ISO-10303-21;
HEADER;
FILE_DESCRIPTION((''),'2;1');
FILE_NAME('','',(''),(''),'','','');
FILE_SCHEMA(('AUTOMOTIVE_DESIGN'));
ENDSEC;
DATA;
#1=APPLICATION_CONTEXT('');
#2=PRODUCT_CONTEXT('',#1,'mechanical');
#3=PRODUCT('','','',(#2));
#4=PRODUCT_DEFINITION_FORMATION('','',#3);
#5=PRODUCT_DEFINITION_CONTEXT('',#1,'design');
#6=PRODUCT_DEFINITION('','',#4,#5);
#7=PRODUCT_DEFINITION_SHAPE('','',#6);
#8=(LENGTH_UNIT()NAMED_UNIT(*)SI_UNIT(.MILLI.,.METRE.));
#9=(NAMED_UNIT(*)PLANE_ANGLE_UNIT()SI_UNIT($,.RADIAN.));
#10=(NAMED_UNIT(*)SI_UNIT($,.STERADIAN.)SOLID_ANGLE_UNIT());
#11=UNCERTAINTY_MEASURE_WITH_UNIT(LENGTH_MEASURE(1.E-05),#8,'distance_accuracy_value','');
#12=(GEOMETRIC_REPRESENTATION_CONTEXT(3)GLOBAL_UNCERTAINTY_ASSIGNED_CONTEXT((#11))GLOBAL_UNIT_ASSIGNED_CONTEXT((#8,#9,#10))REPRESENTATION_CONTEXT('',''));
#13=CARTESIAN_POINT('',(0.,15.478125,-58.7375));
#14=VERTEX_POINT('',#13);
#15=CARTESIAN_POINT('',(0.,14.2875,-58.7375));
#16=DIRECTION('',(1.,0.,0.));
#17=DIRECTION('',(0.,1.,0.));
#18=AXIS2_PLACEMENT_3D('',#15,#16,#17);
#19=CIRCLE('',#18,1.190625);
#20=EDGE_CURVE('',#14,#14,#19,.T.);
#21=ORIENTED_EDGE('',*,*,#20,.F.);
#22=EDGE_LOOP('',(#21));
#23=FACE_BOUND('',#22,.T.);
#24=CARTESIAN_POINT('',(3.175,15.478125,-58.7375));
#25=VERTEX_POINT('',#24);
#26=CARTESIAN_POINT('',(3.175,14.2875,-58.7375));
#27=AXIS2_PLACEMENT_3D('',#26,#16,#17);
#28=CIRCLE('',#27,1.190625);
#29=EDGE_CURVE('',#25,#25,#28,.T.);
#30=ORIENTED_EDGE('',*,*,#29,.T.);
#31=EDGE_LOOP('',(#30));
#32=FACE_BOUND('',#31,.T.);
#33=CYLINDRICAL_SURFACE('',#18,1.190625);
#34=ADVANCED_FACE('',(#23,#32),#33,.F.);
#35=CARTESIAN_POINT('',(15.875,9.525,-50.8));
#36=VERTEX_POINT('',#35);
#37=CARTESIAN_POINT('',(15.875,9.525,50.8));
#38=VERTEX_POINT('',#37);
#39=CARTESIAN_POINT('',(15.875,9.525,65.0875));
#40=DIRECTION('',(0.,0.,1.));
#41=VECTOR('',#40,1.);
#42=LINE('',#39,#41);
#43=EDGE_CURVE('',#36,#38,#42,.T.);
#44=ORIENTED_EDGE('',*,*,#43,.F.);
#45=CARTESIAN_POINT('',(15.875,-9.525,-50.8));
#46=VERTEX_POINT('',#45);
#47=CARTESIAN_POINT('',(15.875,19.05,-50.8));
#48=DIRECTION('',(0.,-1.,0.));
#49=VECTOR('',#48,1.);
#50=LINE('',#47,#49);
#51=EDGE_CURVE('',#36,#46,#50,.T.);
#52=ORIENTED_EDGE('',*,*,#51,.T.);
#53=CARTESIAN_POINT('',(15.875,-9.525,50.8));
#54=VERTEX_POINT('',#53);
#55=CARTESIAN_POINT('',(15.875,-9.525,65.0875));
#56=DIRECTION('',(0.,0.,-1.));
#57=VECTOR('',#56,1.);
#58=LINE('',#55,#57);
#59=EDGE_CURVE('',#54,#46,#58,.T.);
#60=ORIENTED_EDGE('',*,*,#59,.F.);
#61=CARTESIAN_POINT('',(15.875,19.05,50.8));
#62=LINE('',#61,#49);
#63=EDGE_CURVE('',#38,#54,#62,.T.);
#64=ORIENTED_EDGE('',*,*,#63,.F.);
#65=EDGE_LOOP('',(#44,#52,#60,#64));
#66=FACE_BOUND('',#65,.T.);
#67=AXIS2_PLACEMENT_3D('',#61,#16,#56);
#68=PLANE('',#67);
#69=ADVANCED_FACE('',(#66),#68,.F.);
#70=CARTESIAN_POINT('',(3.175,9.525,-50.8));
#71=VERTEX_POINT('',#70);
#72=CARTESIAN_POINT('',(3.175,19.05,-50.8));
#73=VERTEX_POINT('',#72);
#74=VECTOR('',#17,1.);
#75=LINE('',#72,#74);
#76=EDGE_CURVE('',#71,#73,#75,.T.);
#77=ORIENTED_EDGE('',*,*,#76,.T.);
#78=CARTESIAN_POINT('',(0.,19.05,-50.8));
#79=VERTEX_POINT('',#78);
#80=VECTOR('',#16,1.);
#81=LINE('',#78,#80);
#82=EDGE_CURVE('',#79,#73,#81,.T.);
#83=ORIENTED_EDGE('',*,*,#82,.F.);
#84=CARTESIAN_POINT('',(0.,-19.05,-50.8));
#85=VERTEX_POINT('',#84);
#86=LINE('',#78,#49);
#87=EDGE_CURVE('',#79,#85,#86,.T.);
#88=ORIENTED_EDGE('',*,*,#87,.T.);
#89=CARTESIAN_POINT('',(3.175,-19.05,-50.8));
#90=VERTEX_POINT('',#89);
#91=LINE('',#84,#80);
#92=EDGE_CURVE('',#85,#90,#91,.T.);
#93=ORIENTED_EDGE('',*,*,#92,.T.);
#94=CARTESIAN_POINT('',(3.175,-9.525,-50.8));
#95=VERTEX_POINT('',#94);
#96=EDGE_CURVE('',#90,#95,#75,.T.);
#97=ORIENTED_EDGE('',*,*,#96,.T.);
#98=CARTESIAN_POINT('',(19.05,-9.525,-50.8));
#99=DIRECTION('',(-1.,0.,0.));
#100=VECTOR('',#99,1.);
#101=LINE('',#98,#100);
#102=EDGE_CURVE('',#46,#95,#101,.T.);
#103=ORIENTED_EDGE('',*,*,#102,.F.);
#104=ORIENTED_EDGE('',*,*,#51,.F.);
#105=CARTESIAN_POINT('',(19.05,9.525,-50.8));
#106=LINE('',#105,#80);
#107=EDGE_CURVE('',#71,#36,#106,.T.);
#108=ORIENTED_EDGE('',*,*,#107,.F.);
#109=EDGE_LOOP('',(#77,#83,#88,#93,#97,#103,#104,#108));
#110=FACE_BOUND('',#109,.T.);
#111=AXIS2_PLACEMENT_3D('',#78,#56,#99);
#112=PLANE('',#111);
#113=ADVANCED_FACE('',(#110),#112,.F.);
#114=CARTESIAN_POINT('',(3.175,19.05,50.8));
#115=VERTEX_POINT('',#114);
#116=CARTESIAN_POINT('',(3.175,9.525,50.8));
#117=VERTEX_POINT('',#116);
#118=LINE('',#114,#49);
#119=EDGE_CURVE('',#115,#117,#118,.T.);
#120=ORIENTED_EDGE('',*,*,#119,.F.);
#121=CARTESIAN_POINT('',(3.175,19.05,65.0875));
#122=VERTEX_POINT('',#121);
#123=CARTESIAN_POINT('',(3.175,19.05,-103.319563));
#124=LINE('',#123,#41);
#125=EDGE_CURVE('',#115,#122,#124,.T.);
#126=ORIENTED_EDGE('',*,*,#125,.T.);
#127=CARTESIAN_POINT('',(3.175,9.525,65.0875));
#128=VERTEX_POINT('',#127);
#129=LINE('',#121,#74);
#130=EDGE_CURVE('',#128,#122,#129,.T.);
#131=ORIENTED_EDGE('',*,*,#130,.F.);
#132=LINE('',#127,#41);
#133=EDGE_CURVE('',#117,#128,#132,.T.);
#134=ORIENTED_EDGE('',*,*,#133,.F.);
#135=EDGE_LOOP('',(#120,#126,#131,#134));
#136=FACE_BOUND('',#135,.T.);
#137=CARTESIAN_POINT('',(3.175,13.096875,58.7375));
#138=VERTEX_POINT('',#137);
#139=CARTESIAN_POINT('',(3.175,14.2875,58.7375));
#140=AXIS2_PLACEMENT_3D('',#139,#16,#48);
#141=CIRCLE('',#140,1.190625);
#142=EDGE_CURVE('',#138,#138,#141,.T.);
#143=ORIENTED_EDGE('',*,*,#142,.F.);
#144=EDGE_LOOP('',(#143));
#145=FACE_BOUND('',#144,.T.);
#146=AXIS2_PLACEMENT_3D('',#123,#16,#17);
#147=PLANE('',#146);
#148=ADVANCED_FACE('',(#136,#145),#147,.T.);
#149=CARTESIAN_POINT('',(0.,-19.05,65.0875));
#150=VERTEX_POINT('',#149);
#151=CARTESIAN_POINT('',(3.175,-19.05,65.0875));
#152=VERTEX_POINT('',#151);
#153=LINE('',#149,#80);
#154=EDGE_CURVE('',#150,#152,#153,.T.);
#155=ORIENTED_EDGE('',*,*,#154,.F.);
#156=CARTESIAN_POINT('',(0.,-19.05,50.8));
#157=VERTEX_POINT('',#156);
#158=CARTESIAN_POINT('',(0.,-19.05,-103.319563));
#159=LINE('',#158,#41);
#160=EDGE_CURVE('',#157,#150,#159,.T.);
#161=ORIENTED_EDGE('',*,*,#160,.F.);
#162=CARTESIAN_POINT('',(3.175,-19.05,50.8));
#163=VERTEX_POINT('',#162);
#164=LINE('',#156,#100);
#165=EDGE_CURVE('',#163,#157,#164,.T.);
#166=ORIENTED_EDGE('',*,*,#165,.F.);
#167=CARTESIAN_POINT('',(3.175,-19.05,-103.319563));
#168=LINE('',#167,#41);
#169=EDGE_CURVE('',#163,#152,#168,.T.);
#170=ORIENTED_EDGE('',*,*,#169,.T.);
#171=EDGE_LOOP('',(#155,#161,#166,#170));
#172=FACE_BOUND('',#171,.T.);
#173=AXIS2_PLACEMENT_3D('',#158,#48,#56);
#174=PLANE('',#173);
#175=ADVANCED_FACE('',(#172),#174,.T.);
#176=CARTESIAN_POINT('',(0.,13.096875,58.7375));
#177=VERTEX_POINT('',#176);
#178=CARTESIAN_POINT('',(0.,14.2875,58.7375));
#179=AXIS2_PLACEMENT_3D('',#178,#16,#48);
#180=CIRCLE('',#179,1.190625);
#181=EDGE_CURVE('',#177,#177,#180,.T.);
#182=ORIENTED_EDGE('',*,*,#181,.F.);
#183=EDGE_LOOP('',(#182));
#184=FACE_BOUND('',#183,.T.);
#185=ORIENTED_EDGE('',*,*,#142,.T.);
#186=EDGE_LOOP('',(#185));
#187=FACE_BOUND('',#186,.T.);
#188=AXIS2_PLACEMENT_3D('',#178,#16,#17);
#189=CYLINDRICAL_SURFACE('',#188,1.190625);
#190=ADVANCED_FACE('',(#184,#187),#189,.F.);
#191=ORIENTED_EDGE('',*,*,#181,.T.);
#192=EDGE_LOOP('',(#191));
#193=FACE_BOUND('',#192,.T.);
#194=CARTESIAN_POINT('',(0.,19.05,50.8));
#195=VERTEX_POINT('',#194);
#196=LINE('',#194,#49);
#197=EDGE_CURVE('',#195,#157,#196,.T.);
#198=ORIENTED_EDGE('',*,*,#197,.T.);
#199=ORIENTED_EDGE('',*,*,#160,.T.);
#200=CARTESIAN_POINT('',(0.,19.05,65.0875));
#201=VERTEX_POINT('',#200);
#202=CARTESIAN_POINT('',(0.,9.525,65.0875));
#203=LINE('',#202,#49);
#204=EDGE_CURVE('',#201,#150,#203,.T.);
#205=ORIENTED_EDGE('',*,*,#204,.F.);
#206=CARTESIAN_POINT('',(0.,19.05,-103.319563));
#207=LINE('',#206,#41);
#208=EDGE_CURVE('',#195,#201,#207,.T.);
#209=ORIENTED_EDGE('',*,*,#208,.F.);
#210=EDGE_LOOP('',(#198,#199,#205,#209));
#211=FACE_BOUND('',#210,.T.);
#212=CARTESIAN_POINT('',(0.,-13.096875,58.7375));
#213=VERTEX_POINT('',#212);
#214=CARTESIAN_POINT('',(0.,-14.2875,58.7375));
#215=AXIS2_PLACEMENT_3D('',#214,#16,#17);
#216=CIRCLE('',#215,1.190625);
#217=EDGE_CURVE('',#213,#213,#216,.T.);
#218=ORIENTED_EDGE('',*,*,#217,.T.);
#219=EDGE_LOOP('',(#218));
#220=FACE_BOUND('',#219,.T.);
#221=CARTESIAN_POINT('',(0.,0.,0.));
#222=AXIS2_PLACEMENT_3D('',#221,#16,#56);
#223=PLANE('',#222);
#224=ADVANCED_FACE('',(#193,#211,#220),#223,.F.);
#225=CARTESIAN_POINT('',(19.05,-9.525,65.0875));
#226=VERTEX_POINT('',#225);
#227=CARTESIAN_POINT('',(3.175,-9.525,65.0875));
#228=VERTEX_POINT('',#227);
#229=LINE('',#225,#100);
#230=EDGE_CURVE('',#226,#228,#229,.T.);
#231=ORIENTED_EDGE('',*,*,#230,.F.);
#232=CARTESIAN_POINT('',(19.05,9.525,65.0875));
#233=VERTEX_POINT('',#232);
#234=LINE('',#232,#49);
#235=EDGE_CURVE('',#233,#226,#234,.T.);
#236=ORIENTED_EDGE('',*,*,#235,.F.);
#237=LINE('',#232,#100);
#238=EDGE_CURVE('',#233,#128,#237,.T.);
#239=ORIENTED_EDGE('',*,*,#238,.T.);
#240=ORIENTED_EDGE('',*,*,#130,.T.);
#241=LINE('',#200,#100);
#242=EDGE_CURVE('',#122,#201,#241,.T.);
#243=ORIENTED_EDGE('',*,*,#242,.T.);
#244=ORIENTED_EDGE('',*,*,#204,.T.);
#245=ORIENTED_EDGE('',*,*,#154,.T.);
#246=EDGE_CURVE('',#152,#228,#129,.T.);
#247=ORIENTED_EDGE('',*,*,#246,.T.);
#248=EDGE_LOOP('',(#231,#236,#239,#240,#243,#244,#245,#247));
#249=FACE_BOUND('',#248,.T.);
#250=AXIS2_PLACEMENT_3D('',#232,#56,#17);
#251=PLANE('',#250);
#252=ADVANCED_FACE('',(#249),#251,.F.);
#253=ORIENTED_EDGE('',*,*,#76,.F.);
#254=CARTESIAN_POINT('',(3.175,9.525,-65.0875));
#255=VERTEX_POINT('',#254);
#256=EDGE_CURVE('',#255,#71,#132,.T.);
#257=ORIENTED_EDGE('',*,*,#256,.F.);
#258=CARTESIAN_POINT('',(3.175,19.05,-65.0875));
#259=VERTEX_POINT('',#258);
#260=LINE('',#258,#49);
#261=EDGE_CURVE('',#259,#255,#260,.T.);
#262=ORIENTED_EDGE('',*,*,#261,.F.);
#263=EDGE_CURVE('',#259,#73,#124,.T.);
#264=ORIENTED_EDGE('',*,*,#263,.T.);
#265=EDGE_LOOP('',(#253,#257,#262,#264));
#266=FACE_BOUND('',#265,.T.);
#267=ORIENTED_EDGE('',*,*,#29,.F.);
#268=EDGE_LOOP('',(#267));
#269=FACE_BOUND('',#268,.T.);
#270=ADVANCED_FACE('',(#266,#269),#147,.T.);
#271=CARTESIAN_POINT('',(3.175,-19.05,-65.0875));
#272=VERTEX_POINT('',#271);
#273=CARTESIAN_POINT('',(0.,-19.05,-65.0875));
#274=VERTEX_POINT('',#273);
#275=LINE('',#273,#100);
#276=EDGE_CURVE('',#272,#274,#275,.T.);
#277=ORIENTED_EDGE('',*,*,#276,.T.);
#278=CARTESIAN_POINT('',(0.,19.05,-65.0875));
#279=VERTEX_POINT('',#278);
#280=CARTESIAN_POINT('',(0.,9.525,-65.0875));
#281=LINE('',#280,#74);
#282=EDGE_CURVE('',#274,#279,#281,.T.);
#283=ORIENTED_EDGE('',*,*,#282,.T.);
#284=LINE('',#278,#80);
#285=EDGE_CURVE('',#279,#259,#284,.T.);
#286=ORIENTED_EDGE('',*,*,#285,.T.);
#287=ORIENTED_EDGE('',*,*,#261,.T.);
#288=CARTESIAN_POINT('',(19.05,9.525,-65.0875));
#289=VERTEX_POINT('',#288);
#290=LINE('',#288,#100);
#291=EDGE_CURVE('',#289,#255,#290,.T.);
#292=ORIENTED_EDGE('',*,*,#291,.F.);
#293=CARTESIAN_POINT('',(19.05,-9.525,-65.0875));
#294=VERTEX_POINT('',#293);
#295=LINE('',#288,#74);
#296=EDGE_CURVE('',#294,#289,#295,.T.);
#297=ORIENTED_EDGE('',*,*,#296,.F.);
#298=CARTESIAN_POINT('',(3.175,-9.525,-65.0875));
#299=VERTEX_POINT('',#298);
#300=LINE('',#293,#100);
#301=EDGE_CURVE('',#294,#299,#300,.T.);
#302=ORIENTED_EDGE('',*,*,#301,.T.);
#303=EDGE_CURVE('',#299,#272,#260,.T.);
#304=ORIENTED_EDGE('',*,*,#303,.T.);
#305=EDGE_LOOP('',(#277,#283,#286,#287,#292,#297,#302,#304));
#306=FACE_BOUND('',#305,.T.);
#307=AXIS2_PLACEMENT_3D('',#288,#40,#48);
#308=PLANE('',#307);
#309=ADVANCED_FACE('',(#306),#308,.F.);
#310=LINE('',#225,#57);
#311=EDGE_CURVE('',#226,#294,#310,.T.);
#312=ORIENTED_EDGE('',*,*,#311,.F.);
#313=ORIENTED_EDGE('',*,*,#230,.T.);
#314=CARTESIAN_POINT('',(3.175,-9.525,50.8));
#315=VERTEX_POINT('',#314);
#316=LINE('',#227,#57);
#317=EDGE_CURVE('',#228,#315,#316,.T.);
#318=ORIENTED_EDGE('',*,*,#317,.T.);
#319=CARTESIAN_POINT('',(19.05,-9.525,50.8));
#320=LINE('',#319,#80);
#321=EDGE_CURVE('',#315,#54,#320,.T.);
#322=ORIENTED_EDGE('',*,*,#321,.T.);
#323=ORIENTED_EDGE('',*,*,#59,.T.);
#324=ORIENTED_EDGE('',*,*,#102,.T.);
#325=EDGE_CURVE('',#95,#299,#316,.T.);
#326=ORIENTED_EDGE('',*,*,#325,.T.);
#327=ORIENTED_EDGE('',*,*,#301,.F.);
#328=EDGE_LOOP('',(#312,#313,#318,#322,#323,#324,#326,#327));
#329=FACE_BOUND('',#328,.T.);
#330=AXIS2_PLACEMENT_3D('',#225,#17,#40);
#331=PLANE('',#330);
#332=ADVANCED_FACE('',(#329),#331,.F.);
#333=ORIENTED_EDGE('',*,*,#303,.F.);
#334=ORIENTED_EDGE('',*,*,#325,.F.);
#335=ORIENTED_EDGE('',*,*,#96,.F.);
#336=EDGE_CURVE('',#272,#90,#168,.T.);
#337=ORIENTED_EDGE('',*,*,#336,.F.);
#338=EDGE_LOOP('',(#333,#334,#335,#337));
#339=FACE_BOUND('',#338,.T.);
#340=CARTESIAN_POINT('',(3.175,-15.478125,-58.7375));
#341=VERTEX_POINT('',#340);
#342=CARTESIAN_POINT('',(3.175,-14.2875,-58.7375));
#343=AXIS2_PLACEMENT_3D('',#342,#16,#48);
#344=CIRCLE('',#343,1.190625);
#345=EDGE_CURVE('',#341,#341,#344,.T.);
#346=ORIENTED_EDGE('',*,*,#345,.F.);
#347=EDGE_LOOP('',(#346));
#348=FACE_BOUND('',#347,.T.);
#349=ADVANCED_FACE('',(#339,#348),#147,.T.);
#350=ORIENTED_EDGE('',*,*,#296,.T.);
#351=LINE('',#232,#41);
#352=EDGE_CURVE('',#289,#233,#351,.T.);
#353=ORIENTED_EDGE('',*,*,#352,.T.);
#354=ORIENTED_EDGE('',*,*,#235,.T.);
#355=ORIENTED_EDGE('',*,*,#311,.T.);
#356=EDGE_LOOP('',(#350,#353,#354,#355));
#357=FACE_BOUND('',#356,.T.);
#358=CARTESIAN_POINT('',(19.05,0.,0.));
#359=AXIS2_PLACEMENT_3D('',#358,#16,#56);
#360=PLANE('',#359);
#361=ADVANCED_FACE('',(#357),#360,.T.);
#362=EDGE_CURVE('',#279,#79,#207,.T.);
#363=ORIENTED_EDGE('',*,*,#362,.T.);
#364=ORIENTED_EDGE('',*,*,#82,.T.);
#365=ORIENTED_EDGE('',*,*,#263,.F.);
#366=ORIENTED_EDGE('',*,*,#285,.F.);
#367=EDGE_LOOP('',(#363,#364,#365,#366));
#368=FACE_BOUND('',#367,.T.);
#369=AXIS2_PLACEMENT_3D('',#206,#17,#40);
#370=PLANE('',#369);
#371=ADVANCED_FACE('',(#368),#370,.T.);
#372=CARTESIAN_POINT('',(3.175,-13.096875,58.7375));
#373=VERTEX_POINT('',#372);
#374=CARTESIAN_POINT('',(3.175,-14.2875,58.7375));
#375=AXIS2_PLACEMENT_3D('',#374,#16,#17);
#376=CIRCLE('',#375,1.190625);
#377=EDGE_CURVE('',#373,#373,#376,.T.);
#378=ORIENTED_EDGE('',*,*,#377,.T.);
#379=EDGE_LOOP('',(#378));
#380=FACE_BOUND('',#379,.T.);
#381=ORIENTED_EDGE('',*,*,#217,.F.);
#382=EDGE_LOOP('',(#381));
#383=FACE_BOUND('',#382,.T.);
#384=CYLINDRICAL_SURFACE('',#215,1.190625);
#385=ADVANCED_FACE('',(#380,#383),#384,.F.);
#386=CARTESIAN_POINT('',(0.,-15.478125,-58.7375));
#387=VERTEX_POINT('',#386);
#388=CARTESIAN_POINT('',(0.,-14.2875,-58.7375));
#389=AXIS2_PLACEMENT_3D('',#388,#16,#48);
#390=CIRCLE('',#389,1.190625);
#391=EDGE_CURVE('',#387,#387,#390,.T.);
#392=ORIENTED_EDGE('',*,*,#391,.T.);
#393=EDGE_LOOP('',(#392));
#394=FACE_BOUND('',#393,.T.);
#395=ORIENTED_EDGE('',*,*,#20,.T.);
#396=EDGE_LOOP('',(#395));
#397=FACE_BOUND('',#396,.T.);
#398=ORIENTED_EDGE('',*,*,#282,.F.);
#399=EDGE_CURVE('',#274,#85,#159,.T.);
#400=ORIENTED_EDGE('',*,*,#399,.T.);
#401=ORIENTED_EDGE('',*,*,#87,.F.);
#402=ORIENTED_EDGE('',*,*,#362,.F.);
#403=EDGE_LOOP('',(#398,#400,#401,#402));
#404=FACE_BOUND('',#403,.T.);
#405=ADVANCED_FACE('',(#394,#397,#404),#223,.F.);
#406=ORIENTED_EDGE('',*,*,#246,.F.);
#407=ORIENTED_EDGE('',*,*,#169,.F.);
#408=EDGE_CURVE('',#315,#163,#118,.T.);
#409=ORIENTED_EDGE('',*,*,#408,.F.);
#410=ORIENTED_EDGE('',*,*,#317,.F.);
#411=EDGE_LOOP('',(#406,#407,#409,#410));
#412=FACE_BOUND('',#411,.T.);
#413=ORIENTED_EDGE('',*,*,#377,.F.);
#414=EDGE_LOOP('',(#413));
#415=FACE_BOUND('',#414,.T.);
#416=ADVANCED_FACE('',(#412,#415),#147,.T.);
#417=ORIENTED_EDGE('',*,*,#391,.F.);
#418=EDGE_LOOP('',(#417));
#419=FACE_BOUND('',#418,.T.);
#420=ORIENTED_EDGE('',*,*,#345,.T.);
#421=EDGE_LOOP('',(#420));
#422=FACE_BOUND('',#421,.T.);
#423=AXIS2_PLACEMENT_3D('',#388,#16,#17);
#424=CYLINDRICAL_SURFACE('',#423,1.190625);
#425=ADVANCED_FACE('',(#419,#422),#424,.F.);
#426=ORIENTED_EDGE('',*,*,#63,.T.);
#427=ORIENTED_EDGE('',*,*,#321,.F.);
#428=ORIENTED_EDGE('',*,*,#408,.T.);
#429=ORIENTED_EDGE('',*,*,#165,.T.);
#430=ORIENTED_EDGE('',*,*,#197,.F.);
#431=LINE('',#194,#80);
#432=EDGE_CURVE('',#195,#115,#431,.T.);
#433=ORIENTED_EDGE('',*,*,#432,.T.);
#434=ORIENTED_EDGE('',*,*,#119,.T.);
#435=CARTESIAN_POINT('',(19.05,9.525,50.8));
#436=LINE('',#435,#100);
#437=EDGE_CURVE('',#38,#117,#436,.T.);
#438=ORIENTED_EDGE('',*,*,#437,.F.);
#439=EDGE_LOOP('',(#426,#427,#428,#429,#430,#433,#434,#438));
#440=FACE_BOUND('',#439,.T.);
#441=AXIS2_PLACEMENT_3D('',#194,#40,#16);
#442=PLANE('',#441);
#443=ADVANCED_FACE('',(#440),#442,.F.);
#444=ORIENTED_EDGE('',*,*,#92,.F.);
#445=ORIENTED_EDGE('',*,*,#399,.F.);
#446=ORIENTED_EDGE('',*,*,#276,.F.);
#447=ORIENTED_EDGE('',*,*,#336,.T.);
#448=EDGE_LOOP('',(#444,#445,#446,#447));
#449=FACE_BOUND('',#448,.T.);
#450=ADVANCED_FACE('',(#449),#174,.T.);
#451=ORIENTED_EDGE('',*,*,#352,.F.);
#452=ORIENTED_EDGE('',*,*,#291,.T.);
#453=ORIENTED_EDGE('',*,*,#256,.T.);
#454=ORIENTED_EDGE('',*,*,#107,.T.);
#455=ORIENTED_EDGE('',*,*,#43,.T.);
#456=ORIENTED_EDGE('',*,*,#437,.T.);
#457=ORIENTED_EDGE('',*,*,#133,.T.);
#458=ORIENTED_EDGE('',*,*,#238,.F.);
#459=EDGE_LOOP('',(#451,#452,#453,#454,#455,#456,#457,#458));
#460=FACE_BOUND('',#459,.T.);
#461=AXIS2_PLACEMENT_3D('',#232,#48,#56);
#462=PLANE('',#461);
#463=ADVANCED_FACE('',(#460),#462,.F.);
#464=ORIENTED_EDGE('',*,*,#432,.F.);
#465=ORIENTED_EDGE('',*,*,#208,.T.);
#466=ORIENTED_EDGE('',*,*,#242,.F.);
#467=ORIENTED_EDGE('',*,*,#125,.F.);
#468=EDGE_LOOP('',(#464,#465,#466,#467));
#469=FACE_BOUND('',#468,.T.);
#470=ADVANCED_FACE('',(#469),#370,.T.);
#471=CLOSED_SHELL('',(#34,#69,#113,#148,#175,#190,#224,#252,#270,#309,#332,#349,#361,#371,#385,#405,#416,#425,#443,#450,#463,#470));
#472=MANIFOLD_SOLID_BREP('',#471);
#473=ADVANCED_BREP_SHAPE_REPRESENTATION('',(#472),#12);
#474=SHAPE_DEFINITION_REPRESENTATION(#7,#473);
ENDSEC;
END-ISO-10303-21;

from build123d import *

# Parameters (mm, degrees)
SKETCH1_W           = 130.175
SKETCH1_H           = 19.05
BOSS_EXTRUDE1_DEPTH = 19.05
SKETCH2_W           = 3.175
SKETCH2_H           = 38.1
BOSS_EXTRUDE2_DEPTH = 130.175
SKETCH4_R           = 1.190625
CUT_EXTRUDE1_DEPTH  = 4.175
SKETCH5_W           = 15.875
SKETCH5_H           = 101.6
CUT_EXTRUDE2_DEPTH  = 39.1


with BuildPart() as part:
    # Sketch1 → Boss-Extrude1 (new body)
    with BuildSketch(Plane(origin=(0, 0, 0), x_dir=(0, 0, -1), z_dir=(1, 0, 0))):
        Rectangle(SKETCH1_W, SKETCH1_H)
    extrude(amount=BOSS_EXTRUDE1_DEPTH)

    # Sketch2 → Boss-Extrude2 (add)
    with BuildSketch(Plane.XY.offset(65.0875)):
        with Locations((1.5875, 0)):
            Rectangle(SKETCH2_W, SKETCH2_H)
    extrude(amount=-BOSS_EXTRUDE2_DEPTH)

    # Sketch4 → Cut-Extrude1 (cut, through all)
    with BuildSketch(Plane(origin=(3.175, 0, 0), x_dir=(0, 0, -1), z_dir=(1, 0, 0))):
        with Locations((-58.7375, -14.2875)):
            Circle(SKETCH4_R)
        with Locations((58.7375, -14.2875)):
            Circle(SKETCH4_R)
        with Locations((58.7375, 14.2875)):
            Circle(SKETCH4_R)
        with Locations((-58.7375, 14.2875)):
            Circle(SKETCH4_R)
    extrude(amount=-CUT_EXTRUDE1_DEPTH, mode=Mode.SUBTRACT)

    # Sketch5 → Cut-Extrude2 (cut, through all)
    with BuildSketch(Plane(origin=(0, -19.05, 0), x_dir=(-1, 0, 0), z_dir=(0, -1, 0))):
        with Locations((-7.9375, 0)):
            Rectangle(SKETCH5_W, SKETCH5_H)
    extrude(amount=-CUT_EXTRUDE2_DEPTH, mode=Mode.SUBTRACT)


solid = part.part
